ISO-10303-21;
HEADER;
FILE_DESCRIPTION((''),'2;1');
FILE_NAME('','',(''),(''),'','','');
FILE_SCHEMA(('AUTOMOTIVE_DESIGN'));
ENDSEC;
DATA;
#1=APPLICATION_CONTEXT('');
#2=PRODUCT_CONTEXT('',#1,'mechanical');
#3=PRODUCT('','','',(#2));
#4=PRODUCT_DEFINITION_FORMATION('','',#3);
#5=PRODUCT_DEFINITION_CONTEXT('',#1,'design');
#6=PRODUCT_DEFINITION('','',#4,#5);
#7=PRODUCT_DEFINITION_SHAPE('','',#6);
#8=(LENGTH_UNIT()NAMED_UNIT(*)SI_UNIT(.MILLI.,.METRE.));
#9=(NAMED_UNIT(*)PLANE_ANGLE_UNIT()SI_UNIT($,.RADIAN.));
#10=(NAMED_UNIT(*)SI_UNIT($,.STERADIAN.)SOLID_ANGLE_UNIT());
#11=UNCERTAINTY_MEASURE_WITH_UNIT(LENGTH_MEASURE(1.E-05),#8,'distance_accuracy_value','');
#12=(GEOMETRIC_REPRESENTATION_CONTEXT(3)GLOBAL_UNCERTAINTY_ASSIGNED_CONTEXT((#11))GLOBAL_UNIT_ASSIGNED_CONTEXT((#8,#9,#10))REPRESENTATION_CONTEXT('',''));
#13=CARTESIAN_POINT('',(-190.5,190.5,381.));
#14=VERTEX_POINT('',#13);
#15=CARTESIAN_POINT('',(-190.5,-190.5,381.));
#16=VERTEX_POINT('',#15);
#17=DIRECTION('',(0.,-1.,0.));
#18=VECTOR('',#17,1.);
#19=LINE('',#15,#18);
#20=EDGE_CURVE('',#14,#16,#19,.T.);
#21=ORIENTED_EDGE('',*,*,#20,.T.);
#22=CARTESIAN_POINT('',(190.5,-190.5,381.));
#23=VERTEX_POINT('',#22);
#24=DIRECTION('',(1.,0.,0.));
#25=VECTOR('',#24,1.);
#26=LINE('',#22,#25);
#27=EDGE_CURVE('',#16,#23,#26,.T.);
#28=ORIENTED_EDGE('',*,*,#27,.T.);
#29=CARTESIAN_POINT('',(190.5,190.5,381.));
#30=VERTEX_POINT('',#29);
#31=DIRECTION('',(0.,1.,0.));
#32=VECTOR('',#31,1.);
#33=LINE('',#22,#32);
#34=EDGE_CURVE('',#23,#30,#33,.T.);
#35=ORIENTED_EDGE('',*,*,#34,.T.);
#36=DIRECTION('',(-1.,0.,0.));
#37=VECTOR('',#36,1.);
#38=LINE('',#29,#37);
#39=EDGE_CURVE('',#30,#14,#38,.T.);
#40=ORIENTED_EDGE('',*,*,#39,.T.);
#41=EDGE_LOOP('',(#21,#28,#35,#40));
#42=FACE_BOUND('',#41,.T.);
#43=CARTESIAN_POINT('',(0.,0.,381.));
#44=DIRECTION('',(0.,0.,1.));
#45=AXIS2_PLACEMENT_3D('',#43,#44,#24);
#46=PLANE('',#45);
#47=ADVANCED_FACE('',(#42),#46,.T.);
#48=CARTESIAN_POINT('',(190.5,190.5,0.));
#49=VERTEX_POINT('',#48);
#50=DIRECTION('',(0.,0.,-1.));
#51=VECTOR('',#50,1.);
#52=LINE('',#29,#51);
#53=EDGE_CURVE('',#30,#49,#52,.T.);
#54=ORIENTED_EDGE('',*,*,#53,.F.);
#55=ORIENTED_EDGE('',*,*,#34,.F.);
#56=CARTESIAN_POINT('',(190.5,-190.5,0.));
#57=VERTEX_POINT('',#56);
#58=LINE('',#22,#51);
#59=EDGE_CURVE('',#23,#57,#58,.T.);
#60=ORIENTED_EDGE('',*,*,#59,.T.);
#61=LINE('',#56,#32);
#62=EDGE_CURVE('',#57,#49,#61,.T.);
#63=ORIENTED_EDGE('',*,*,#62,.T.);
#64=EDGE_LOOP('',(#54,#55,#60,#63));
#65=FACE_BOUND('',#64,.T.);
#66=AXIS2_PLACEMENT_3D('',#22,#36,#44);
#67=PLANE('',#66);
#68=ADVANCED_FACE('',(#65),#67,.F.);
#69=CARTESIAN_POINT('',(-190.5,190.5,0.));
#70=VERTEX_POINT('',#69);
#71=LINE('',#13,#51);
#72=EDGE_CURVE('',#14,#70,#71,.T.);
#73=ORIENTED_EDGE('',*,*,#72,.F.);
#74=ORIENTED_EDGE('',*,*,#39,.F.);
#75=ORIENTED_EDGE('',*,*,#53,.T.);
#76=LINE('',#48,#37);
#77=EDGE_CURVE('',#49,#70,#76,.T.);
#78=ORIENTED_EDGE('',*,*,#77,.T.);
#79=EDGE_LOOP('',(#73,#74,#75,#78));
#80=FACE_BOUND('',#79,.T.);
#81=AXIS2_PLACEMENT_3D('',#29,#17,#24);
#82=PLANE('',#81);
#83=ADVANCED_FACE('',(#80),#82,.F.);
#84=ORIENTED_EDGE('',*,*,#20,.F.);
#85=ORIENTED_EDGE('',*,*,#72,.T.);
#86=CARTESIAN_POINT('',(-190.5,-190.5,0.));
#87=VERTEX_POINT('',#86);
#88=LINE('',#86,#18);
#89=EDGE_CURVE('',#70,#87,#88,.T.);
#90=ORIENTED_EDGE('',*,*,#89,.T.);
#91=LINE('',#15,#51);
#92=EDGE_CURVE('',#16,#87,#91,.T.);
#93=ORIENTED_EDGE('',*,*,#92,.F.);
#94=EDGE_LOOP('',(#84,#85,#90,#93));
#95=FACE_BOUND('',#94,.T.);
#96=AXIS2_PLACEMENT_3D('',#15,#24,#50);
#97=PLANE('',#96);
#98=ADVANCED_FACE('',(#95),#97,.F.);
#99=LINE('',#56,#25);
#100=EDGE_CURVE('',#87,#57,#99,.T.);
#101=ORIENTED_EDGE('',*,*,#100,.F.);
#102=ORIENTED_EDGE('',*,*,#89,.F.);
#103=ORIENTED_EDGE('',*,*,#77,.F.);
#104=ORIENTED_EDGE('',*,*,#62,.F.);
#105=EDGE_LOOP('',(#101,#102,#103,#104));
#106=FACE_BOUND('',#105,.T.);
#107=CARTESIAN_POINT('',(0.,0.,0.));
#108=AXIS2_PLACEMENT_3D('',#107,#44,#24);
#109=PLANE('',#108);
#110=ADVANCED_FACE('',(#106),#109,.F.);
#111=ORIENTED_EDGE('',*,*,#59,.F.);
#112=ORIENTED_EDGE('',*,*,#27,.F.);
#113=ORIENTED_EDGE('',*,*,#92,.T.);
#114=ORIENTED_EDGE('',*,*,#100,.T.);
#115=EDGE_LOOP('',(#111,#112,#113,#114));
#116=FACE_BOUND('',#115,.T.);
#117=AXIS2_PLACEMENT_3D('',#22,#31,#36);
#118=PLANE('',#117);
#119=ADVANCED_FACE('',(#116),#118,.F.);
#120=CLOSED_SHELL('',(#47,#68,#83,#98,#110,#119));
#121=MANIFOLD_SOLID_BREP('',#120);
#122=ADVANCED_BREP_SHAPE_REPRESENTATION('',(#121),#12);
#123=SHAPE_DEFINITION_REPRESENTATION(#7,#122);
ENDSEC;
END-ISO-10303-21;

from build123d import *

# Parameters (mm, degrees)
SKETCH1_W           = 381
SKETCH1_H           = 381
BOSS_EXTRUDE1_DEPTH = 381


with BuildPart() as part:
    # Sketch1 → Boss-Extrude1 (new body)
    with BuildSketch(Plane.XY):
        Rectangle(SKETCH1_W, SKETCH1_H)
    extrude(amount=BOSS_EXTRUDE1_DEPTH)


solid = part.part
